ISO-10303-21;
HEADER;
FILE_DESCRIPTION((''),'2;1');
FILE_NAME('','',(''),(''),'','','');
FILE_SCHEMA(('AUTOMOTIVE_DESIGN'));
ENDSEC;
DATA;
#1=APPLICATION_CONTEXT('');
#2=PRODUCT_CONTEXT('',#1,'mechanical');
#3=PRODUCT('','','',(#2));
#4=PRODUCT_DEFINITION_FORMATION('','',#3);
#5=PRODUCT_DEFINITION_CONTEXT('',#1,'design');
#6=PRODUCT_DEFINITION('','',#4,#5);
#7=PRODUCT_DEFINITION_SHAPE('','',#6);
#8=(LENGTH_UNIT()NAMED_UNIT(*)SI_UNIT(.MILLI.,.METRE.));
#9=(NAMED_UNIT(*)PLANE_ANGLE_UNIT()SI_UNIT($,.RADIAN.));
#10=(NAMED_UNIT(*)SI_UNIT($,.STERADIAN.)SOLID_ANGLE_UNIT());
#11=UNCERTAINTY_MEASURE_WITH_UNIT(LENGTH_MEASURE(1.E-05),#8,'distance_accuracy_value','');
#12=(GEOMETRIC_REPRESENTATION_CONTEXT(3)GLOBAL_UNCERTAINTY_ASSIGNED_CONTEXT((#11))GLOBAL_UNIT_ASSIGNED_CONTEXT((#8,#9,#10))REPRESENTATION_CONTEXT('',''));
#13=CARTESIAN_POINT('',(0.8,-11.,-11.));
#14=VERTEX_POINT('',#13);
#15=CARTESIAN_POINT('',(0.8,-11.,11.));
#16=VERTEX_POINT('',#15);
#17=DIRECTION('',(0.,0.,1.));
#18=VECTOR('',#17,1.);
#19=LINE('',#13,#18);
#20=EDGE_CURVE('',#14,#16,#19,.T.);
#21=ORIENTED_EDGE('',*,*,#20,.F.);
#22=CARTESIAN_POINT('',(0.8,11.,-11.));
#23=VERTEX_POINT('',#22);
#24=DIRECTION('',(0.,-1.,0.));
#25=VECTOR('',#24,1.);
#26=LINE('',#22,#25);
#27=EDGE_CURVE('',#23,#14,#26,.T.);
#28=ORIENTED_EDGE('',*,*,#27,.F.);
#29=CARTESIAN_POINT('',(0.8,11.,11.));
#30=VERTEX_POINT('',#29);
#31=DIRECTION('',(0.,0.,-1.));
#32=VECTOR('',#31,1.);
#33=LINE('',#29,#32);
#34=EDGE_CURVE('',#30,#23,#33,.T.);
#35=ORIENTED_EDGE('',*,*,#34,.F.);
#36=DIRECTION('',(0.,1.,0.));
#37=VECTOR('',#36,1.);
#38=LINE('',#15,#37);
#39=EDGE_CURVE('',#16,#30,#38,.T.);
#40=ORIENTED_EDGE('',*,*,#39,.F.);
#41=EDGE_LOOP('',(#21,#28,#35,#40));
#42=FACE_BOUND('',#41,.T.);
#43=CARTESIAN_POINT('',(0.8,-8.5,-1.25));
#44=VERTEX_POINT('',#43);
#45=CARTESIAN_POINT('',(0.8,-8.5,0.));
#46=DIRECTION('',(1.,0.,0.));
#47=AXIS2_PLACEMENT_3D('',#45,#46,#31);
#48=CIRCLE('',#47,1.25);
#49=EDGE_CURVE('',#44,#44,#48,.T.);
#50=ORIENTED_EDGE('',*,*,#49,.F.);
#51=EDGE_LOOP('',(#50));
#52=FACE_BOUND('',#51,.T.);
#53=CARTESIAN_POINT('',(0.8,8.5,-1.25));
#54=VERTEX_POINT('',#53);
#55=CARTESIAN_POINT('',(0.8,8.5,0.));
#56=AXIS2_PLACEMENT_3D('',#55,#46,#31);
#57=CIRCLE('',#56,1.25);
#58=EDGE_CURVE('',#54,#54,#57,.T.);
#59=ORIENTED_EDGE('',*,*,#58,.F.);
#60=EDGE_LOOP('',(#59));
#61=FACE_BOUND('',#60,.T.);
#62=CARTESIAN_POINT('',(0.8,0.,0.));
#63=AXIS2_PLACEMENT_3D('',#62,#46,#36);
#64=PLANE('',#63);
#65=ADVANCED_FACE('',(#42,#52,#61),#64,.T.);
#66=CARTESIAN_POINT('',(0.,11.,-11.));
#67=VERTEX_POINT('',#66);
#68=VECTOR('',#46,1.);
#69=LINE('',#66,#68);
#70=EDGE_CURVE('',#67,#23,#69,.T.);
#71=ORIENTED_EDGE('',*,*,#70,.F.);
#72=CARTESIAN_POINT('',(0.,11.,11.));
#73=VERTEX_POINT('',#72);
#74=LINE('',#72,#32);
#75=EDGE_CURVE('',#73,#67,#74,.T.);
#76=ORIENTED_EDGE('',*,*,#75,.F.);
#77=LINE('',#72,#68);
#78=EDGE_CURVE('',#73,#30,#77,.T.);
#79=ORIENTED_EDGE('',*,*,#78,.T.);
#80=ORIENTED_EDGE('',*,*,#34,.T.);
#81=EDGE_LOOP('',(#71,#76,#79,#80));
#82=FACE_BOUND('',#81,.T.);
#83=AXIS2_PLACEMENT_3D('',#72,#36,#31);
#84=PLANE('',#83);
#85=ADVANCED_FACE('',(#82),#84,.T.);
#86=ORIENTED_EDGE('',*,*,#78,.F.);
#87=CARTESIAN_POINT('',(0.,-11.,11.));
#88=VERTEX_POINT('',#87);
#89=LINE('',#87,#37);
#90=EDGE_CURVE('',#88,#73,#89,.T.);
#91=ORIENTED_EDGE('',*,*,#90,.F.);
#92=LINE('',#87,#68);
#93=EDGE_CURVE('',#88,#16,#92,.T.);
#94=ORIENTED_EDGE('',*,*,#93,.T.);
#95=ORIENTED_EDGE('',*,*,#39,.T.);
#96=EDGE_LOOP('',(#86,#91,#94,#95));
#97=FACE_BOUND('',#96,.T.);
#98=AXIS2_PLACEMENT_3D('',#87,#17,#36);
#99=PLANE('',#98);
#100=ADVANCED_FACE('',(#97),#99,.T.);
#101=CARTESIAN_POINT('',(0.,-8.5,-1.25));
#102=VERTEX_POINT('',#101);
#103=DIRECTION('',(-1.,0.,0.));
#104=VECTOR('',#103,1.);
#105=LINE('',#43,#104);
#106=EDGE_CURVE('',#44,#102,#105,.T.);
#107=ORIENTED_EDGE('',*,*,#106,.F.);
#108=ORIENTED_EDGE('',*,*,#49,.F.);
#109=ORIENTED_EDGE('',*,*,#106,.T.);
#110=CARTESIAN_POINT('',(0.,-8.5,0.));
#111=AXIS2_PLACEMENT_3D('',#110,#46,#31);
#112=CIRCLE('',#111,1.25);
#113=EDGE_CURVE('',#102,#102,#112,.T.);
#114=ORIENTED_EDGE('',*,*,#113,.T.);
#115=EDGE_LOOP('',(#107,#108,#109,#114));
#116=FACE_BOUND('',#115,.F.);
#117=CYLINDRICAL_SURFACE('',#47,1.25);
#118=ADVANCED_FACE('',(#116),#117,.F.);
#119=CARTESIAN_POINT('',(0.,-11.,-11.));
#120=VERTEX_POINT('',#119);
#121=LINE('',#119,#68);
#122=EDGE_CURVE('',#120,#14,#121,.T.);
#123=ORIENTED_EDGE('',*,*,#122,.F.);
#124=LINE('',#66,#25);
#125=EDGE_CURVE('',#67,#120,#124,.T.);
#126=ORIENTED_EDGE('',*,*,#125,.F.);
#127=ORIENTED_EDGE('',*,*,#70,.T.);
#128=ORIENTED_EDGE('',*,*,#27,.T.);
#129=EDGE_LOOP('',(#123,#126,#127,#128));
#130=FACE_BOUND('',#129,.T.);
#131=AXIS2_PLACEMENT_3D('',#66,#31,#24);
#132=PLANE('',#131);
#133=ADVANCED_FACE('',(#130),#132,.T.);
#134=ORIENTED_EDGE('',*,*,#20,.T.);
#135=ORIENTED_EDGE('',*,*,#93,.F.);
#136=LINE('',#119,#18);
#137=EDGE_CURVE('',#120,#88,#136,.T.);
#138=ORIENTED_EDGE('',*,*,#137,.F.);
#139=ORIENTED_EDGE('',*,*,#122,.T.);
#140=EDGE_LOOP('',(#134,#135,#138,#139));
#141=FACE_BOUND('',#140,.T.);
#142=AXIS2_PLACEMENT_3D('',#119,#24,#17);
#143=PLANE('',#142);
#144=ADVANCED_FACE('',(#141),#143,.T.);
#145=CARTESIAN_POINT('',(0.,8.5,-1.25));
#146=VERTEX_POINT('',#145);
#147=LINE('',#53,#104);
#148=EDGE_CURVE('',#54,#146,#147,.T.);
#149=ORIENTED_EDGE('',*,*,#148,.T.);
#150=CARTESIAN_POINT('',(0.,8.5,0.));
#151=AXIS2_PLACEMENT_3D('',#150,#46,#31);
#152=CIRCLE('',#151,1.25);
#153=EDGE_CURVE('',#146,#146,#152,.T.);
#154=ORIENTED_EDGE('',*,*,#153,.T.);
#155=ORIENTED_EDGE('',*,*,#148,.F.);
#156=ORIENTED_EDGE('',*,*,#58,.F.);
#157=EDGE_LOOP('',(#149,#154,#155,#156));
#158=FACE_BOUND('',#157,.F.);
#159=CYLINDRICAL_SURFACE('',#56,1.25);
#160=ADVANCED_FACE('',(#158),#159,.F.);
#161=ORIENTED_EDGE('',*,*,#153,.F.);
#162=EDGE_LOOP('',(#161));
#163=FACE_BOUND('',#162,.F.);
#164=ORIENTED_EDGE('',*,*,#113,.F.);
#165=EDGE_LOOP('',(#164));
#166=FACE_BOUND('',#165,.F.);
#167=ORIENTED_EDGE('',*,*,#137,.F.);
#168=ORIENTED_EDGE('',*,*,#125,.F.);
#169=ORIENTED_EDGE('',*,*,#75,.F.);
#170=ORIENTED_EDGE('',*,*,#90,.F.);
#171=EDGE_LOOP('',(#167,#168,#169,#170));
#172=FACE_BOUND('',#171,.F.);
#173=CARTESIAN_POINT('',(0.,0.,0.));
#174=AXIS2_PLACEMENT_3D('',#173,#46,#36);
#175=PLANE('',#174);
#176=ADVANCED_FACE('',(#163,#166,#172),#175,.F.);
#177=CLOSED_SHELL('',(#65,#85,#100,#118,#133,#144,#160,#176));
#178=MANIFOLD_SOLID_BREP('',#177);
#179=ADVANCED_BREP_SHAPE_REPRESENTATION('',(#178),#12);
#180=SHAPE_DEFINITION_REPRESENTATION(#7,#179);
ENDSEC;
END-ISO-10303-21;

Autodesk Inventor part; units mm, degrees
ref_plane "YZ Plane" through (0, 0, 0) normal (1, 0, 0) x (0, 1, 0)
ref_plane "XZ Plane" through (0, 0, 0) normal (0, 1, 0) x (-1, 0, 0)
ref_plane "XY Plane" through (0, 0, 0) normal (0, 0, 1) x (1, 0, 0)
sketch "Sketch1" plane through (0, 0, 0) normal (1, 0, 0) x (0, 1, 0)
  line L0 (-11, 11) -> (11, 11)
  line L1 (11, 11) -> (11, -11)
  line L2 (11, -11) -> (-11, -11)
  line L3 (-11, -11) -> (-11, 11)
  point P0 (0, 0)
  dimension "d0" = 22
  dimension "d1" = 22
  dimension "d2" = 11
  dimension "d3" = 11
extrude "Extrusion1" add sketch "Sketch1" along normal blind 0.8
sketch "Sketch2" plane through (0.8, 0, 0) normal (1, 0, 0) x (0, 0, -1)
  circle A0 centre (0, -8.5) radius 1.25
  circle A1 centre (0, 8.5) radius 1.25
  point P0 (0, 0)
  dimension "d6" = 2.5
  dimension "d7" = 2.5
  dimension "d8" = 8.5
  dimension "d9" = 8.5
extrude "Extrusion2" cut sketch "Sketch2" against normal blind 10
properties part number "PCB"
